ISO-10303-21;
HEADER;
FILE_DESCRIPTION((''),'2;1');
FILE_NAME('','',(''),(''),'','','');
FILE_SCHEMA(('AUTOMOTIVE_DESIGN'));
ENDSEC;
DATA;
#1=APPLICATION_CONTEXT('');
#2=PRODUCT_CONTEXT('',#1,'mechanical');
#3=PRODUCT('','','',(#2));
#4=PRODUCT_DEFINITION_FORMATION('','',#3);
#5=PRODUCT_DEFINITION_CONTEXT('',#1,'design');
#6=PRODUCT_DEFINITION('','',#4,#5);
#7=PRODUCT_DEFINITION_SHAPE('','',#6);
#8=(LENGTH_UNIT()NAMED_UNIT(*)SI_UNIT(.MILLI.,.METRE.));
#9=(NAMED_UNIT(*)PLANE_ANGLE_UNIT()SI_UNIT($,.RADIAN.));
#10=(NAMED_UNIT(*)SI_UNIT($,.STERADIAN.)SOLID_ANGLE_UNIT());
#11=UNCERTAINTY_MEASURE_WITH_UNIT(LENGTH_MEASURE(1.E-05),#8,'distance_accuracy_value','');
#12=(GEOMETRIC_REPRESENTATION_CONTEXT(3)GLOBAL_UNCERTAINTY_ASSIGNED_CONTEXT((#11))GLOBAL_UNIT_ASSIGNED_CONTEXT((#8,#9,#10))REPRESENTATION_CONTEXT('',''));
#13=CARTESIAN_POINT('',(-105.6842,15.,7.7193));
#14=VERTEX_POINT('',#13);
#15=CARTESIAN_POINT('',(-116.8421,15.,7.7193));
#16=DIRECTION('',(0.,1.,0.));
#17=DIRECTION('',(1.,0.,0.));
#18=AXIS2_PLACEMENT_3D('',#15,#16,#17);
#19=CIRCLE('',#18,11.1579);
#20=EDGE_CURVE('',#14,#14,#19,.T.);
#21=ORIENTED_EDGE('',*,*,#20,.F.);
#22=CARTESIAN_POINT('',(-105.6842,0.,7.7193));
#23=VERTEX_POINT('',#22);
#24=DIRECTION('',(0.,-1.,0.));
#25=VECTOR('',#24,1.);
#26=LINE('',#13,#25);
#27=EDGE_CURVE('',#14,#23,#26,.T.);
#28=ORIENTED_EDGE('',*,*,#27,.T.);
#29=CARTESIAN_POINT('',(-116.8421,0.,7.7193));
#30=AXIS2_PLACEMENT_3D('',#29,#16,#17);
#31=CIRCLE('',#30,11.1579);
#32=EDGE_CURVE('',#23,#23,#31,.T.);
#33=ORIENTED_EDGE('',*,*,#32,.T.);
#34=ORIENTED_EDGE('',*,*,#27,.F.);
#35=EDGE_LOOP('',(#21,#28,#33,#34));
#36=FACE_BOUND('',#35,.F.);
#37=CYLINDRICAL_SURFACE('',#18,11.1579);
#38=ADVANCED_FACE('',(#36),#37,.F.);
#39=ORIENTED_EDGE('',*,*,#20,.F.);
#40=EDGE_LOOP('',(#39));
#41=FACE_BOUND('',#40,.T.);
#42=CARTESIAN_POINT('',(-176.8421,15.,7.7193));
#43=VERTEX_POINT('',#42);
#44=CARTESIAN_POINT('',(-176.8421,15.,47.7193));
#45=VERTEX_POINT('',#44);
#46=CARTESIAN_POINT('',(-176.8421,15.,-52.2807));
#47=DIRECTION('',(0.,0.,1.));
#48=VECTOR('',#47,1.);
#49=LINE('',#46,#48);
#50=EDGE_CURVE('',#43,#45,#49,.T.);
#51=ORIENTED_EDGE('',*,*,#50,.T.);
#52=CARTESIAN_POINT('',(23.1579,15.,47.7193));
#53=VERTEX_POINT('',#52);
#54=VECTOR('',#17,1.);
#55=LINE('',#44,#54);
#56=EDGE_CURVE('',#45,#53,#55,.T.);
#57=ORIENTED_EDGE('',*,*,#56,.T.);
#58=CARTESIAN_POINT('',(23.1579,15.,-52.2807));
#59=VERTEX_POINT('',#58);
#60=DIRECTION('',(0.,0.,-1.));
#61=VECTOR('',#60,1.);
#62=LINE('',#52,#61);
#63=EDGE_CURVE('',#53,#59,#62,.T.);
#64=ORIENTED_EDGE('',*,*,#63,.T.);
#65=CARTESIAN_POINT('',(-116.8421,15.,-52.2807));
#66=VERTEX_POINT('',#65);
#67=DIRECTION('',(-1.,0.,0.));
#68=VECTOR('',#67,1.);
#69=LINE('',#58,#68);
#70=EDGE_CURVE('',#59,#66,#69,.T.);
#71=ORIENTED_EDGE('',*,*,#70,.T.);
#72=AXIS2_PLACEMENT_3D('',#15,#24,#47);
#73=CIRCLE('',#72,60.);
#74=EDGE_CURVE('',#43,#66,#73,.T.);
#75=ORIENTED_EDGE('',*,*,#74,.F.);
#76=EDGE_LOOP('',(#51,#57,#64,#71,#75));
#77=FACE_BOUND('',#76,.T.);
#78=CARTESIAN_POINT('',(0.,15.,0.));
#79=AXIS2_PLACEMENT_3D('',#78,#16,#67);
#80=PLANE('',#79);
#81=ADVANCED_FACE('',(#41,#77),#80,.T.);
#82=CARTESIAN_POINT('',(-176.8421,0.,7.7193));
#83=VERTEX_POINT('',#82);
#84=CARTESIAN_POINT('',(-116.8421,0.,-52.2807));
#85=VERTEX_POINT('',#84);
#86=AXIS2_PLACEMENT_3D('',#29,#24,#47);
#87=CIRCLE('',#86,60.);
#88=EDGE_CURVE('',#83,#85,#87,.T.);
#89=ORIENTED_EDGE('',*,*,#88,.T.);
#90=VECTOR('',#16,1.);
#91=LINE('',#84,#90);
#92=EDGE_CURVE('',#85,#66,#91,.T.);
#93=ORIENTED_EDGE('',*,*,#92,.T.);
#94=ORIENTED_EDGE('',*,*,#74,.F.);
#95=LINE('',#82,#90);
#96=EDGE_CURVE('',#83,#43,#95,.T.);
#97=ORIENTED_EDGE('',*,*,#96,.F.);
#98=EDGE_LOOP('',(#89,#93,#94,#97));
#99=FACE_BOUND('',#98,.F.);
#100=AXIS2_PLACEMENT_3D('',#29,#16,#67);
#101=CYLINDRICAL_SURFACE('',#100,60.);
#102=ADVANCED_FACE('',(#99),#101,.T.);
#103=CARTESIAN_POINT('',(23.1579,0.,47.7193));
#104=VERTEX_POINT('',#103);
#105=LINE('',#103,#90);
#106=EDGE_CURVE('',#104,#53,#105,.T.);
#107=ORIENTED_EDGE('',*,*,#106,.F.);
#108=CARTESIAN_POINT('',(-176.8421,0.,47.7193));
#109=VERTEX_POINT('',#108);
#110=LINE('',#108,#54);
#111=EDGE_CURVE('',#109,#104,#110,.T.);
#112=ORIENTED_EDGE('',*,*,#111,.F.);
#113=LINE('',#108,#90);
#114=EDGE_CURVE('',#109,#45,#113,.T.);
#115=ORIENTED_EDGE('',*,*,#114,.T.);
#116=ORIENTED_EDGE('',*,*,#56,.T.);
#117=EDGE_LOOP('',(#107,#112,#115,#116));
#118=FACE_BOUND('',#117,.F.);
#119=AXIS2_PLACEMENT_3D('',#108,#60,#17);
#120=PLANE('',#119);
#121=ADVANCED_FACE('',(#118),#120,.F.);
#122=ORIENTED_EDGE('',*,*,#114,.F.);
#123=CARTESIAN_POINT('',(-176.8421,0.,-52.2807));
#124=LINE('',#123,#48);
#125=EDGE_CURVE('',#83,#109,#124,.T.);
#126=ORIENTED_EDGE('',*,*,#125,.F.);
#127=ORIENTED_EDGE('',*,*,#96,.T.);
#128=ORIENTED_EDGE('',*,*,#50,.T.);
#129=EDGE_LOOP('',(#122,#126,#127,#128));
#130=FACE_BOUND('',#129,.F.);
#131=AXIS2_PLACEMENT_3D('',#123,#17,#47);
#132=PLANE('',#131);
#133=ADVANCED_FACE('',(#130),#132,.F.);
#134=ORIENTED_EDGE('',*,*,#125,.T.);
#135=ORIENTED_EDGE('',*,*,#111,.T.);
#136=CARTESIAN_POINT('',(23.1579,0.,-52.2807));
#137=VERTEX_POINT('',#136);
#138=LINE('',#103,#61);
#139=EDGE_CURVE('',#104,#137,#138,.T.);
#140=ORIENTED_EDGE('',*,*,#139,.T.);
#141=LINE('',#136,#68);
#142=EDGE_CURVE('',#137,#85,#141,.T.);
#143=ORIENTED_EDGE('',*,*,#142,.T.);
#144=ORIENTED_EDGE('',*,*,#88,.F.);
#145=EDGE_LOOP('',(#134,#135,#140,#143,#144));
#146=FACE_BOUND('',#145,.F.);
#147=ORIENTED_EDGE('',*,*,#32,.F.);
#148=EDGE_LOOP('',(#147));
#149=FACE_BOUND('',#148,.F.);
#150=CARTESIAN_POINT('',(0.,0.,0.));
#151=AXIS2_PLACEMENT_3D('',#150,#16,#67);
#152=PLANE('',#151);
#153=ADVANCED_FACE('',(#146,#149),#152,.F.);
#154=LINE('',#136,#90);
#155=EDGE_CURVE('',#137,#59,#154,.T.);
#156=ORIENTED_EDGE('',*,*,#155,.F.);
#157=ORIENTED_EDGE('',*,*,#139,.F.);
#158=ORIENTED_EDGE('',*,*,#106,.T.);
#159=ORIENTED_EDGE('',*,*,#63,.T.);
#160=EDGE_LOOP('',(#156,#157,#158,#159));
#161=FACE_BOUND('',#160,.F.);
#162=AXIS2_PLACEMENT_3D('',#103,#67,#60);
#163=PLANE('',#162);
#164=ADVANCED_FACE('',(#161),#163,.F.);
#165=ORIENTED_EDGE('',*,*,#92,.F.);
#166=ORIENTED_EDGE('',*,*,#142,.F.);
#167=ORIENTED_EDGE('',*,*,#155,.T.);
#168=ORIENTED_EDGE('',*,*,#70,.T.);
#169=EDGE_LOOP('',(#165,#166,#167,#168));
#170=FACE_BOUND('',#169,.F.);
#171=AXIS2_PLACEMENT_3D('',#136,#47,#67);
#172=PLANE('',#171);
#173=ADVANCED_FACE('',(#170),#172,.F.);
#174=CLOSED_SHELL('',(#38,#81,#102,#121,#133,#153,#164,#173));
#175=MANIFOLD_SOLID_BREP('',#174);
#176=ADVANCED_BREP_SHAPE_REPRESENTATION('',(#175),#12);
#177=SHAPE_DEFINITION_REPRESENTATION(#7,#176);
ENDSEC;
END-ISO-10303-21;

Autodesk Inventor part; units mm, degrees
ref_plane "YZ Plane" through (0, 0, 0) normal (1, 0, 0) x (0, 1, 0)
ref_plane "XZ Plane" through (0, 0, 0) normal (0, 1, 0) x (-1, 0, 0)
ref_plane "XY Plane" through (0, 0, 0) normal (0, 0, 1) x (1, 0, 0)
sketch "Sketch1" plane through (0, 0, 0) normal (0, 1, 0) x (-1, 0, 0)
  line L0 (176.8421, 47.7193) -> (-23.1579, 47.7193)
  line L1 (-23.1579, 47.7193) -> (-23.1579, -52.2807)
  line L2 (-23.1579, -52.2807) -> (176.8421, -52.2807)
  line L3 (176.8421, -52.2807) -> (176.8421, 47.7193)
  point P0 (0, 0)
  dimension "d0" = 100
  dimension "d1" = 200
extrude "Extrusion1" add sketch "Sketch1" along normal blind 15
fillet "Fillet2" radius 60 1 edges at (-176.8421, 7.5, -52.2807)
sketch "Sketch2" plane through (0, 15, 0) normal (0, 1, 0) x (1, 0, 0)
  arc A0 (-116.8421, 52.2807) -> (-176.8421, -7.7193) centre (-116.8421, -7.7193) ccw projected
  circle A1 centre (-116.8421, -7.7193) radius 11.1579
  point P0 (0, 0)
extrude "Extrusion2" cut sketch "Sketch2" against normal blind 15
properties part number "PovorotBlockOsnova"
